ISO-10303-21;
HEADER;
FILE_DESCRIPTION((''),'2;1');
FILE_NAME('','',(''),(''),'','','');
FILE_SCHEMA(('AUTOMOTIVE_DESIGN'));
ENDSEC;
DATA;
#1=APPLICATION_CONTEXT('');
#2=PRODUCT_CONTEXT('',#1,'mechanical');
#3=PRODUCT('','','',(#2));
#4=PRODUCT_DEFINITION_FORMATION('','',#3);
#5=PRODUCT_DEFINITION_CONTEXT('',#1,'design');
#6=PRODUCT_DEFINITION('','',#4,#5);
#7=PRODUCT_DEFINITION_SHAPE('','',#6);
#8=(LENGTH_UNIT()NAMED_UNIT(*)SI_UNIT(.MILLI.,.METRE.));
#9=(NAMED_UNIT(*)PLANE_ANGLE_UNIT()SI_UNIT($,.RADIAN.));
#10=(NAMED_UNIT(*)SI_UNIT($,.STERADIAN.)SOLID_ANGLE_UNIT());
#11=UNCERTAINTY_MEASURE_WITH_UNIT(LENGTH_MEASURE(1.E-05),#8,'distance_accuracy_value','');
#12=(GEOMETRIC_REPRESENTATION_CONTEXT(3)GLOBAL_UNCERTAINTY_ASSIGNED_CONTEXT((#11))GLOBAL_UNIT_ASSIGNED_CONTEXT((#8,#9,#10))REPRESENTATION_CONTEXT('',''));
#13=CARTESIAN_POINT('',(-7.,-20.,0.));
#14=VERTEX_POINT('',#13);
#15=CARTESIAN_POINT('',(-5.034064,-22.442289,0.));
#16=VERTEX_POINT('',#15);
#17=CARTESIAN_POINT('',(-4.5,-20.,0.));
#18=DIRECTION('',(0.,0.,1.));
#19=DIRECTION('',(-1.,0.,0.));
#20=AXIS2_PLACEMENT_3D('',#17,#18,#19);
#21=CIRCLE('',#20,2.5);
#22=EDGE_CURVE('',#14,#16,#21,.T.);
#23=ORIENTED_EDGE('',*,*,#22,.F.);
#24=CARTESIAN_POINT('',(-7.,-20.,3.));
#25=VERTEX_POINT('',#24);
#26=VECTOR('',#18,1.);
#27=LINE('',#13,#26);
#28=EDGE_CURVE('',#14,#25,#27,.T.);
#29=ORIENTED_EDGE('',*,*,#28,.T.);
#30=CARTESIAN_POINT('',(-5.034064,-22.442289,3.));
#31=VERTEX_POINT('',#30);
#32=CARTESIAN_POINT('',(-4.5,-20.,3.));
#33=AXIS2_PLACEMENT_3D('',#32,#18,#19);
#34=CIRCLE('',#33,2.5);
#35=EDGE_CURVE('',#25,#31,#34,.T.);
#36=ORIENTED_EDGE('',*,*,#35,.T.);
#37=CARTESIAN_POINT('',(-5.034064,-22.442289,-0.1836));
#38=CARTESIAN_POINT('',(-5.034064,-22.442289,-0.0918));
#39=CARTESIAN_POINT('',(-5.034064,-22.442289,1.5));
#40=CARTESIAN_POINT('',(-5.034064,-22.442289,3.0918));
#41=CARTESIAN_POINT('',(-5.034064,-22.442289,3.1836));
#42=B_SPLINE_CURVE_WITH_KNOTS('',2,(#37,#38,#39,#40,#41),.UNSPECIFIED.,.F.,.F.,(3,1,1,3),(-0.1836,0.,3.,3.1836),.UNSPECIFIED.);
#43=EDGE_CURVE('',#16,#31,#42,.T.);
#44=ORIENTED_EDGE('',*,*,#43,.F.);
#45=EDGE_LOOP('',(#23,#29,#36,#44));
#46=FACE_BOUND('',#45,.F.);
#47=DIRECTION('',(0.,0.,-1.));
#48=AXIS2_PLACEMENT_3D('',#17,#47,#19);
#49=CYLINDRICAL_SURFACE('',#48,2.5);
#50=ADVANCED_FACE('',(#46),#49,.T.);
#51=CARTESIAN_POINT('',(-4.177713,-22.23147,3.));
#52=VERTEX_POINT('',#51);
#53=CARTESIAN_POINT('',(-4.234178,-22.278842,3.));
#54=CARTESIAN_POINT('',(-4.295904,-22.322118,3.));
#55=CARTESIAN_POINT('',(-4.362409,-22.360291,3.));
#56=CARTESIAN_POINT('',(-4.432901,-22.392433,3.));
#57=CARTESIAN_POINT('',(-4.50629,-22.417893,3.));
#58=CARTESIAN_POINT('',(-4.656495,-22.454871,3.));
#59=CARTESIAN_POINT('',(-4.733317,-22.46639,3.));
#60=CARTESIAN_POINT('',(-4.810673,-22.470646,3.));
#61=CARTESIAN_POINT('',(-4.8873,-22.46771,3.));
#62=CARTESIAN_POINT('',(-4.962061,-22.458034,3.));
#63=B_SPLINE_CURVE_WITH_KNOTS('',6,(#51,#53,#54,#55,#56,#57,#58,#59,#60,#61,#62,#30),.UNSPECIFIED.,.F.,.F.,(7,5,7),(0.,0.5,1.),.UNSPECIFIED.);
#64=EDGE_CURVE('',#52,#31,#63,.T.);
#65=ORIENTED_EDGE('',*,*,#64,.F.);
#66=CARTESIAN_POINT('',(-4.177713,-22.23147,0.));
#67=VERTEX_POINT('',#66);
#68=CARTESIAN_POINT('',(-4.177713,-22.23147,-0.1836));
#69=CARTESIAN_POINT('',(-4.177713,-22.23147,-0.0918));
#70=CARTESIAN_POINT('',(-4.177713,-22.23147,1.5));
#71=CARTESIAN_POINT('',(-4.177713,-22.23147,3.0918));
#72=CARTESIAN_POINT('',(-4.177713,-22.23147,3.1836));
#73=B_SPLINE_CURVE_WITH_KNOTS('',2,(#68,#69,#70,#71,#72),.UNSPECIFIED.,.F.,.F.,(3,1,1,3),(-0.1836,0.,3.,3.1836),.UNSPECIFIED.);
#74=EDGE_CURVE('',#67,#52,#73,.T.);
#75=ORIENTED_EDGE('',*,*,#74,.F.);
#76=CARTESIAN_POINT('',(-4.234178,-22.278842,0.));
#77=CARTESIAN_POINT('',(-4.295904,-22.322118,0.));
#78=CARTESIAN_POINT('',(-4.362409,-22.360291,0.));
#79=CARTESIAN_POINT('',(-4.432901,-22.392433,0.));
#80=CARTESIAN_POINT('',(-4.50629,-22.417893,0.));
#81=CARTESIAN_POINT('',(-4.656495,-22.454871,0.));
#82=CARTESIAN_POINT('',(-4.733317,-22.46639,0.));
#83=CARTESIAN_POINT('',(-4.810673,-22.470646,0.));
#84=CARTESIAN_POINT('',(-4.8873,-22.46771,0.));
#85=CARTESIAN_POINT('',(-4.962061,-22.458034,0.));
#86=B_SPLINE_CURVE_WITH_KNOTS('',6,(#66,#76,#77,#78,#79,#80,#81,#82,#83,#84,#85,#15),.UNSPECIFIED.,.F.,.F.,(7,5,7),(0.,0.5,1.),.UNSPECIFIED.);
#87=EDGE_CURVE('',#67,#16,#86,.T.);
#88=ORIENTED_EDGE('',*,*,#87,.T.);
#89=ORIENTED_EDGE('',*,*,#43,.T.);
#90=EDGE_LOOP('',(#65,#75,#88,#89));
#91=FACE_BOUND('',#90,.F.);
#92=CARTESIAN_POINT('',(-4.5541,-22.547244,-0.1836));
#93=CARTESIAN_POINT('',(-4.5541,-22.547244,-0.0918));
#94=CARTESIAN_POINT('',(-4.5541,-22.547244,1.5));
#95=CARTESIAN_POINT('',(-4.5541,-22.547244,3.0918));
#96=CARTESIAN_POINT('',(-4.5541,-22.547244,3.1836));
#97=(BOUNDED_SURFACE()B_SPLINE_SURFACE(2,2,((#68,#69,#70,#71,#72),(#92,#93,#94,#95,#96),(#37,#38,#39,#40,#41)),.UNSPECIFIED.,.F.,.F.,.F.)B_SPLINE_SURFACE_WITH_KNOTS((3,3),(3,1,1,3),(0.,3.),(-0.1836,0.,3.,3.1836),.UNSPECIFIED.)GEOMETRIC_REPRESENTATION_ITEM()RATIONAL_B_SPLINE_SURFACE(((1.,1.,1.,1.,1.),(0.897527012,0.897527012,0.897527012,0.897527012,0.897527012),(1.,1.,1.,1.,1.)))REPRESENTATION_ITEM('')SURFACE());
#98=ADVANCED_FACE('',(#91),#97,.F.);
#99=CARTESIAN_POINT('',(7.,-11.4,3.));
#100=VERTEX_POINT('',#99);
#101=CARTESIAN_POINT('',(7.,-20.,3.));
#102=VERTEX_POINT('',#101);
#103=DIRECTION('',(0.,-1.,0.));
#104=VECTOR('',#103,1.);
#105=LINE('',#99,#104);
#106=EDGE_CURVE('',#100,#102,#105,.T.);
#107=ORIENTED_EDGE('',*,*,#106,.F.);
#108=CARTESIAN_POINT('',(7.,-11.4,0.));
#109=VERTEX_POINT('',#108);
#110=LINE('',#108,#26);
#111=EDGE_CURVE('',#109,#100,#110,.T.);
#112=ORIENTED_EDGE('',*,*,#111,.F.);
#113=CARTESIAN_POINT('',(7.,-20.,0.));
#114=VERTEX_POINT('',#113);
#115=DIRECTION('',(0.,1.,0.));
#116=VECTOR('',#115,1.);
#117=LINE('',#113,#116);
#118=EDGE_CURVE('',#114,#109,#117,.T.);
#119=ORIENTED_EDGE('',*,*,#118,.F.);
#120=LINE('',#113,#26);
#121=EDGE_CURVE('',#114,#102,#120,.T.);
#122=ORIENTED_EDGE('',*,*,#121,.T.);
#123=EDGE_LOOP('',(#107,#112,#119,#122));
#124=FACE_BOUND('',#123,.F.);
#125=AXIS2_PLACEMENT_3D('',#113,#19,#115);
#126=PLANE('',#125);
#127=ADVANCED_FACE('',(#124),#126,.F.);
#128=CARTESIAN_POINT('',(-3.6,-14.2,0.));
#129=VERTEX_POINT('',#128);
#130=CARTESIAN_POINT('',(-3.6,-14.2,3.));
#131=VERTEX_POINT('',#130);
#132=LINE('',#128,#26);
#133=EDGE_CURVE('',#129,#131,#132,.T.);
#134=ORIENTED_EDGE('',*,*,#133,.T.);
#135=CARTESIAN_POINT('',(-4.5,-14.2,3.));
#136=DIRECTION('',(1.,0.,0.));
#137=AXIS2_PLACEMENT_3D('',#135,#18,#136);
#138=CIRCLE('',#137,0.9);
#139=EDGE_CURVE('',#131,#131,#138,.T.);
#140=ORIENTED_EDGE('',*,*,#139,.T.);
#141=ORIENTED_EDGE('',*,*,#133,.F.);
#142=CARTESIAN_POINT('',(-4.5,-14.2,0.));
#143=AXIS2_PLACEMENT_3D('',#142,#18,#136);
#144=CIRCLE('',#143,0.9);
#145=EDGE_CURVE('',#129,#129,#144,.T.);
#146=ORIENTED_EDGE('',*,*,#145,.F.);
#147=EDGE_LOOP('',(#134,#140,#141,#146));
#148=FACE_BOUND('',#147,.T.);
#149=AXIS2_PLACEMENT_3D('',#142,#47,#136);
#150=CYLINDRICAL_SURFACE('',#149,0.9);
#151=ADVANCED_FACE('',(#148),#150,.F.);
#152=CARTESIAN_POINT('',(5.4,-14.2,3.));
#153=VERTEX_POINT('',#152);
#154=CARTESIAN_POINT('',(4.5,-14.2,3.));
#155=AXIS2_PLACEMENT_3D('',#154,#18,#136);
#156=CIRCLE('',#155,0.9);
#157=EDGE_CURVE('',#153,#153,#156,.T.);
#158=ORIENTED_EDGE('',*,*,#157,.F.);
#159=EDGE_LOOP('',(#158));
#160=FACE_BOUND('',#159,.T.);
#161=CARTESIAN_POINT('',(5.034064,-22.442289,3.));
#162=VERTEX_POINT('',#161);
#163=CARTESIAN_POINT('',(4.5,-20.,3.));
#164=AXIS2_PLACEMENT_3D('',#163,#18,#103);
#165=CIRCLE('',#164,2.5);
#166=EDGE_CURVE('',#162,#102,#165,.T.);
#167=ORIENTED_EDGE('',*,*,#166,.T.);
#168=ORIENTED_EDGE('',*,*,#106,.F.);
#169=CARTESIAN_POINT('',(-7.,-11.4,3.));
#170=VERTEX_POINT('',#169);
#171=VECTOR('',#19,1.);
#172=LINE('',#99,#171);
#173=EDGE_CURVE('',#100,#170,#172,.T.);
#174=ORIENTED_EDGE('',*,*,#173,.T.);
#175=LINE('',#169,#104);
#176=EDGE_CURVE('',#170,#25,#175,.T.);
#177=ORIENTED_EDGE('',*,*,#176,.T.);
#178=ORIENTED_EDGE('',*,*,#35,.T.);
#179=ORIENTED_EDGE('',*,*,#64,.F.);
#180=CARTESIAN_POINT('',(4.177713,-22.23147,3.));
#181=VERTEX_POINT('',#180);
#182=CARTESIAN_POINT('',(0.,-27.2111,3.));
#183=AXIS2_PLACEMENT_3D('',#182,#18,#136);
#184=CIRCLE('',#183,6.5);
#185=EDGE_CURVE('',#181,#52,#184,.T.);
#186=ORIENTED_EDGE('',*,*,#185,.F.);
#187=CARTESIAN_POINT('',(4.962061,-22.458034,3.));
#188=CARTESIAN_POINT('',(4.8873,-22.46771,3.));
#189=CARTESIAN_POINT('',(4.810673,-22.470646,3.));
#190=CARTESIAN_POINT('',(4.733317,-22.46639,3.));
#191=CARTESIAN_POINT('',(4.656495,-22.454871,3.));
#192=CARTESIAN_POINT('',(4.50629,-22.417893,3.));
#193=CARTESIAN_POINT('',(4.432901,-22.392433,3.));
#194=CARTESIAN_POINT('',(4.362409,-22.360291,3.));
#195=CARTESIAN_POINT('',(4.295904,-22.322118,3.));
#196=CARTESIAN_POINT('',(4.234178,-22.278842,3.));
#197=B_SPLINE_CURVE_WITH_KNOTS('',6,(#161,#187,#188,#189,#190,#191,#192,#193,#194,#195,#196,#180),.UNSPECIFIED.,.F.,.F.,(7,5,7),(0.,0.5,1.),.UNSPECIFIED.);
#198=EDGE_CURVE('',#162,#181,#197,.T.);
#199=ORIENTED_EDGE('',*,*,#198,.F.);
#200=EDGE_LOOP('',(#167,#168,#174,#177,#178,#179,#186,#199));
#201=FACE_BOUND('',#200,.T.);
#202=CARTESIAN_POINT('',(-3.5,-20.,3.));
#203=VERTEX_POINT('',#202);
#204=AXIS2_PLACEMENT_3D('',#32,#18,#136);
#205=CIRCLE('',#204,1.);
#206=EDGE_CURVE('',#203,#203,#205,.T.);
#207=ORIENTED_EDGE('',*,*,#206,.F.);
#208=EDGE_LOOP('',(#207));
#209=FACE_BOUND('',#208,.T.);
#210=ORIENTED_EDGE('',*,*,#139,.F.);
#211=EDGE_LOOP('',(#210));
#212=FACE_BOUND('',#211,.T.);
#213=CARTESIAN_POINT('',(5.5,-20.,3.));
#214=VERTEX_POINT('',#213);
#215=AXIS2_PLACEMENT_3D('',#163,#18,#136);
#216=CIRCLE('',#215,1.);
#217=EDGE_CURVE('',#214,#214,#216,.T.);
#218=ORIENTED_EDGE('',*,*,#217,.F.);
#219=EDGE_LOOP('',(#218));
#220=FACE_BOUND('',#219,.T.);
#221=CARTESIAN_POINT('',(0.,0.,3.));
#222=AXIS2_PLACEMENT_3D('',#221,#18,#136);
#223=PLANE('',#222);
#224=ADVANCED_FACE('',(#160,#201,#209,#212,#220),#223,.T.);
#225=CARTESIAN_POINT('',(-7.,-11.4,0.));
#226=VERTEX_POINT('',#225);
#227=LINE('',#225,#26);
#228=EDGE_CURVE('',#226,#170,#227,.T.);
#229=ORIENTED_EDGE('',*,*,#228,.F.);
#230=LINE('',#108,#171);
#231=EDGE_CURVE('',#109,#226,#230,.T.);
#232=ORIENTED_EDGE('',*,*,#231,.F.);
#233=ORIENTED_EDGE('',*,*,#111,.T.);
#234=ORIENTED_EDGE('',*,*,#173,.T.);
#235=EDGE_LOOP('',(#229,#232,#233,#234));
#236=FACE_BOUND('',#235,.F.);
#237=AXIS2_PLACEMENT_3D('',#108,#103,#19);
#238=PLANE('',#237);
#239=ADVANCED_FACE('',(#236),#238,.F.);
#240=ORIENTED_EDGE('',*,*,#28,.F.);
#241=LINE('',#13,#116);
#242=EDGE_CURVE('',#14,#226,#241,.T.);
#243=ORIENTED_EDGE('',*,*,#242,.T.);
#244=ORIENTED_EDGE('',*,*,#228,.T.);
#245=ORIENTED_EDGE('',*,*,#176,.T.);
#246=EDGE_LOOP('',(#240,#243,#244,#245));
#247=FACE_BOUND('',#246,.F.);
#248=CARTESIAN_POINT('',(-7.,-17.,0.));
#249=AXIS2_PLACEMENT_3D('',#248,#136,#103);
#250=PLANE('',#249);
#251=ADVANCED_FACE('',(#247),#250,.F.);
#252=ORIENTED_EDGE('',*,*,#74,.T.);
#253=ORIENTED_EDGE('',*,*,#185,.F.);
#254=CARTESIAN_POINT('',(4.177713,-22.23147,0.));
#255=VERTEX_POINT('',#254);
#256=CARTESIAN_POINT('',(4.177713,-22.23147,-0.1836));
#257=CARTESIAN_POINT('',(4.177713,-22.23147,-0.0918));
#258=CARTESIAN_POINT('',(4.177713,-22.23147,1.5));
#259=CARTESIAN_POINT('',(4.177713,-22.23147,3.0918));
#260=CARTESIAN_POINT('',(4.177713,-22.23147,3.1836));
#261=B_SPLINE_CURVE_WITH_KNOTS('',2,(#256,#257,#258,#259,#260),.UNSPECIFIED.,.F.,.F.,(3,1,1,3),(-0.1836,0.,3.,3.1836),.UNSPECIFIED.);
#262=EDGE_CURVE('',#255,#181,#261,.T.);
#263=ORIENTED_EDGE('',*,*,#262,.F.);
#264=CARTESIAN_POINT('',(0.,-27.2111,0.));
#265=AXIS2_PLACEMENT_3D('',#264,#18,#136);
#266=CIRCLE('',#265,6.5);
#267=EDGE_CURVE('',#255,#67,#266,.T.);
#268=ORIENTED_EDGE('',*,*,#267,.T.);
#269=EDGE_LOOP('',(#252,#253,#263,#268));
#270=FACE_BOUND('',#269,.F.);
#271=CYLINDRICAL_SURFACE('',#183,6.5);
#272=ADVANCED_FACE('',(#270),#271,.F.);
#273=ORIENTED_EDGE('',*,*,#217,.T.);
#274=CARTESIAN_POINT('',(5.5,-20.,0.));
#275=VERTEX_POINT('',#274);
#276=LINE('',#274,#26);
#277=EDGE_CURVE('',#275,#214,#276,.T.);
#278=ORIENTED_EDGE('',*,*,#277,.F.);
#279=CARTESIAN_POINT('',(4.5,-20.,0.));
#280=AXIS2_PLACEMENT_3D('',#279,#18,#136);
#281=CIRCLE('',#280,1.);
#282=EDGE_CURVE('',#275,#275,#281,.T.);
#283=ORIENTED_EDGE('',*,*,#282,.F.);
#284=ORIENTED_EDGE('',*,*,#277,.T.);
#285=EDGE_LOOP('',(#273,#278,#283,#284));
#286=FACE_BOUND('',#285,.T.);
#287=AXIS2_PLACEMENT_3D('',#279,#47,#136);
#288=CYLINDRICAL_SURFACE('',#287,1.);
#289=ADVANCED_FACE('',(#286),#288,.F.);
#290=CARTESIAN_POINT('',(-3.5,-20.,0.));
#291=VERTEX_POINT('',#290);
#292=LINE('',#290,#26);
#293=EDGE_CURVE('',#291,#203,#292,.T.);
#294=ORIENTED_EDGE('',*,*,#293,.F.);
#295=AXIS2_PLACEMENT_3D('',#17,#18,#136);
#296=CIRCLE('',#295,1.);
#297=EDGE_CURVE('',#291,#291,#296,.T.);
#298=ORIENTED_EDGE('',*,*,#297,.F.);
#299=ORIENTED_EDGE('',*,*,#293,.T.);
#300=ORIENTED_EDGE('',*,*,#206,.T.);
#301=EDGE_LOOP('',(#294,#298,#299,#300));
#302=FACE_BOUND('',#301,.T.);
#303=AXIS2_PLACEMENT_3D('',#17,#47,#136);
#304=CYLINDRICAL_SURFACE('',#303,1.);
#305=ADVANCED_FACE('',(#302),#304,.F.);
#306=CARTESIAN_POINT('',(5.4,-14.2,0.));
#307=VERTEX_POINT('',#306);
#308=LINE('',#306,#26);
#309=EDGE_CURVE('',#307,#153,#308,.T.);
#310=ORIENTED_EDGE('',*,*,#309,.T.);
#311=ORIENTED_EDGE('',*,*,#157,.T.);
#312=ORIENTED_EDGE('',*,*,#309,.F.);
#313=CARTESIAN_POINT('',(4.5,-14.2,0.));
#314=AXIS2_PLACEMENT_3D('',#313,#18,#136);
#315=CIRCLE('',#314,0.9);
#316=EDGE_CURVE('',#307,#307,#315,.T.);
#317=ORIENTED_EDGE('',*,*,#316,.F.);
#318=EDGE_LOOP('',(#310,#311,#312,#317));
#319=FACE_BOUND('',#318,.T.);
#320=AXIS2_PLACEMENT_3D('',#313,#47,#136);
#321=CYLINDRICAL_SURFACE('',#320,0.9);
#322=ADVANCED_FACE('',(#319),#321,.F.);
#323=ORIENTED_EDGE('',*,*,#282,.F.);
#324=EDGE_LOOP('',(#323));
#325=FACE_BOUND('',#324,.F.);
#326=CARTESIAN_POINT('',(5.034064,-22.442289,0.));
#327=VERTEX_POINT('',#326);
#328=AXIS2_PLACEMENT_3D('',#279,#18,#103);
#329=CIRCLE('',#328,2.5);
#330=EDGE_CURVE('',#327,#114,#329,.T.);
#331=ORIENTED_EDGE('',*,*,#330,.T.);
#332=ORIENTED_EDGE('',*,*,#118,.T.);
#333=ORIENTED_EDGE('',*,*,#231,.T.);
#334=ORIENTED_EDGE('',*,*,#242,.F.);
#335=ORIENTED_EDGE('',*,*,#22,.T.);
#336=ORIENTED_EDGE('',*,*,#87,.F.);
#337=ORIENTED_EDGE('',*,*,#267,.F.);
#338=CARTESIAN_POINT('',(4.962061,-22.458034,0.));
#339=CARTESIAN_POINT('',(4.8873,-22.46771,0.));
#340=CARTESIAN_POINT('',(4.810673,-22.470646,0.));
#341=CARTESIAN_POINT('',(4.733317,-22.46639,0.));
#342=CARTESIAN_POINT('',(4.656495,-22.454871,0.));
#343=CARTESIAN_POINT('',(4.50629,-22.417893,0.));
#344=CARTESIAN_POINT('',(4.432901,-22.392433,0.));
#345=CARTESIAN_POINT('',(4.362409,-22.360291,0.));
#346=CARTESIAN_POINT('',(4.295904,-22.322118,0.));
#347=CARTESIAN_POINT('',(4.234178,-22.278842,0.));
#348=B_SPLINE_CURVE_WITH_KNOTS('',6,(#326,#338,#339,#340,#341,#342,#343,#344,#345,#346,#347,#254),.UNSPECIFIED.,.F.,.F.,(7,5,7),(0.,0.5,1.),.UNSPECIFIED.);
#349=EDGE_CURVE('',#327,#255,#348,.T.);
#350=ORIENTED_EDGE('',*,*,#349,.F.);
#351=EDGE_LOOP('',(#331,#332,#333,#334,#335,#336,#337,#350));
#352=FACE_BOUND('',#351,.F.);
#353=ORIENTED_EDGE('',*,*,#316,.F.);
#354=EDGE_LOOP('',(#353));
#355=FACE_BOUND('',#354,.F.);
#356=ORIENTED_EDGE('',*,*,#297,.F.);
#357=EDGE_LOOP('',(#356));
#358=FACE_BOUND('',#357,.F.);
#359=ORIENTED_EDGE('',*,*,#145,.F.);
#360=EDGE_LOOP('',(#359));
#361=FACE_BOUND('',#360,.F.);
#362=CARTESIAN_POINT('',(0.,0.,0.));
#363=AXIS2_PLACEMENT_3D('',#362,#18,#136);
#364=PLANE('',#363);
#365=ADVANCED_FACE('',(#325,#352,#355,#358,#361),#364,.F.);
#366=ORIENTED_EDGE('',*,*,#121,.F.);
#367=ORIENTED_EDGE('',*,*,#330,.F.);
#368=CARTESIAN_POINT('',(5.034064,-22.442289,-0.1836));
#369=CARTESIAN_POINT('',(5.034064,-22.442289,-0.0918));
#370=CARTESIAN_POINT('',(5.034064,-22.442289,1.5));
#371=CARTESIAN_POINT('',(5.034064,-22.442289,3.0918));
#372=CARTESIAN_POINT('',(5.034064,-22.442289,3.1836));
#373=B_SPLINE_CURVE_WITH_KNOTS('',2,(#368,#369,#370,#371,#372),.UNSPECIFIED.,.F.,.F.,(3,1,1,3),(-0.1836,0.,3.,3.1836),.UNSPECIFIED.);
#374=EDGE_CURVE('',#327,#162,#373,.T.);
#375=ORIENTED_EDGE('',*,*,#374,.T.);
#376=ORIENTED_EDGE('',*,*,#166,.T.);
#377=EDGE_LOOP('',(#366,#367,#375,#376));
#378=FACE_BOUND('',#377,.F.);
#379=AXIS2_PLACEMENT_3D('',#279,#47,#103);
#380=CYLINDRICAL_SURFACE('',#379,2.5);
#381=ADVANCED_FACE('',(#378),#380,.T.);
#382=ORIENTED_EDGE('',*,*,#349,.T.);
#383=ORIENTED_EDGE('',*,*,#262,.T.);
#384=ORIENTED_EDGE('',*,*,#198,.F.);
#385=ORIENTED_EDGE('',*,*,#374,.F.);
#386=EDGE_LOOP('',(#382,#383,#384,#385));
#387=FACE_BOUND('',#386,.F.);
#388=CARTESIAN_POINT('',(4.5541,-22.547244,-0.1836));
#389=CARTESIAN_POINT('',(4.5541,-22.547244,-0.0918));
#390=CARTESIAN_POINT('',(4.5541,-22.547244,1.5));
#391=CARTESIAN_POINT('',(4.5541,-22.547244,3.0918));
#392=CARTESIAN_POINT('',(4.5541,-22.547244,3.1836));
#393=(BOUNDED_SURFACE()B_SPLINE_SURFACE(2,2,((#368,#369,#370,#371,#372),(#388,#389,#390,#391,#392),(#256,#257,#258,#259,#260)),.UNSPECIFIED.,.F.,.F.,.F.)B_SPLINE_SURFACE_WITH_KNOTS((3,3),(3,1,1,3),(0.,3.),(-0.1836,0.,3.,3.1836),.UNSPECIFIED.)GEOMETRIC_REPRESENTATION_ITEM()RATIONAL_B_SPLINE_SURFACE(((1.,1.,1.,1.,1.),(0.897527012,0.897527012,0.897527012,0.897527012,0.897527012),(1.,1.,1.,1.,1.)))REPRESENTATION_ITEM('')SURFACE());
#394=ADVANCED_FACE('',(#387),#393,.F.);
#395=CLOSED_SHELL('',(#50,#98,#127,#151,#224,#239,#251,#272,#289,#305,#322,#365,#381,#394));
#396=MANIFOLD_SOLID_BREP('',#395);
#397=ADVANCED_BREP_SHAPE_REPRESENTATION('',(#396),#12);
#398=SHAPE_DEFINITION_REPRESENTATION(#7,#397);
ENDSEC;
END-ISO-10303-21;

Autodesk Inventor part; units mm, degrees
ref_plane "YZ Plane" through (0, 0, 0) normal (1, 0, 0) x (0, 1, 0)
ref_plane "XZ Plane" through (0, 0, 0) normal (0, 1, 0) x (-1, 0, 0)
ref_plane "XY Plane" through (0, 0, 0) normal (0, 0, 1) x (1, 0, 0)
sketch "Sketch1" plane through (0, 0, 0) normal (0, 0, 1) x (1, 0, 0)
  line L0 (7, -20) -> (7, -17)
  line L1 (-7, -17) -> (7, -17)
  line L2 (-7, -17) -> (-7, -20)
  arc A0 (-7, -20) -> (-4.5, -22.5) centre (-4.5, -20) ccw
  line L3 (-4.5, -22.5) -> (4.5, -22.5)
  arc A1 (4.5, -22.5) -> (7, -20) centre (4.5, -20) ccw
  circle A2 centre (-4.5, -20) radius 1
  circle A3 centre (4.5, -20) radius 1
  line L4 (7, -11.4) -> (-7, -11.4)
  line L5 (-7, -11.4) -> (-7, -17)
  line L6 (-7, -17) -> (7, -17)
  line L7 (7, -17) -> (7, -11.4)
  circle A4 centre (4.5, -14.2) radius 0.9
  circle A5 centre (-4.5, -14.2) radius 0.9
  point P0 (0, 0)
extrude "Extrusion1" add sketch "Sketch1" along normal blind 3
sketch "Sketch2" plane through (0, 0, 3) normal (0, 0, 1) x (1, 0, 0)
  circle A0 centre (-4.5, -20) radius 1 projected
  circle A1 centre (4.5, -20) radius 1 projected
  circle A2 centre (0, -27.2111) radius 6.5
  point P0 (0, 0)
extrude "Extrusion2" cut sketch "Sketch2" against normal blind 3 contours A2
fillet "Fillet1" radius 1 2 edges at (-4.4783, -22.5, 1.5) (4.4783, -22.5, 1.5)
properties part number "upper slider pen"
